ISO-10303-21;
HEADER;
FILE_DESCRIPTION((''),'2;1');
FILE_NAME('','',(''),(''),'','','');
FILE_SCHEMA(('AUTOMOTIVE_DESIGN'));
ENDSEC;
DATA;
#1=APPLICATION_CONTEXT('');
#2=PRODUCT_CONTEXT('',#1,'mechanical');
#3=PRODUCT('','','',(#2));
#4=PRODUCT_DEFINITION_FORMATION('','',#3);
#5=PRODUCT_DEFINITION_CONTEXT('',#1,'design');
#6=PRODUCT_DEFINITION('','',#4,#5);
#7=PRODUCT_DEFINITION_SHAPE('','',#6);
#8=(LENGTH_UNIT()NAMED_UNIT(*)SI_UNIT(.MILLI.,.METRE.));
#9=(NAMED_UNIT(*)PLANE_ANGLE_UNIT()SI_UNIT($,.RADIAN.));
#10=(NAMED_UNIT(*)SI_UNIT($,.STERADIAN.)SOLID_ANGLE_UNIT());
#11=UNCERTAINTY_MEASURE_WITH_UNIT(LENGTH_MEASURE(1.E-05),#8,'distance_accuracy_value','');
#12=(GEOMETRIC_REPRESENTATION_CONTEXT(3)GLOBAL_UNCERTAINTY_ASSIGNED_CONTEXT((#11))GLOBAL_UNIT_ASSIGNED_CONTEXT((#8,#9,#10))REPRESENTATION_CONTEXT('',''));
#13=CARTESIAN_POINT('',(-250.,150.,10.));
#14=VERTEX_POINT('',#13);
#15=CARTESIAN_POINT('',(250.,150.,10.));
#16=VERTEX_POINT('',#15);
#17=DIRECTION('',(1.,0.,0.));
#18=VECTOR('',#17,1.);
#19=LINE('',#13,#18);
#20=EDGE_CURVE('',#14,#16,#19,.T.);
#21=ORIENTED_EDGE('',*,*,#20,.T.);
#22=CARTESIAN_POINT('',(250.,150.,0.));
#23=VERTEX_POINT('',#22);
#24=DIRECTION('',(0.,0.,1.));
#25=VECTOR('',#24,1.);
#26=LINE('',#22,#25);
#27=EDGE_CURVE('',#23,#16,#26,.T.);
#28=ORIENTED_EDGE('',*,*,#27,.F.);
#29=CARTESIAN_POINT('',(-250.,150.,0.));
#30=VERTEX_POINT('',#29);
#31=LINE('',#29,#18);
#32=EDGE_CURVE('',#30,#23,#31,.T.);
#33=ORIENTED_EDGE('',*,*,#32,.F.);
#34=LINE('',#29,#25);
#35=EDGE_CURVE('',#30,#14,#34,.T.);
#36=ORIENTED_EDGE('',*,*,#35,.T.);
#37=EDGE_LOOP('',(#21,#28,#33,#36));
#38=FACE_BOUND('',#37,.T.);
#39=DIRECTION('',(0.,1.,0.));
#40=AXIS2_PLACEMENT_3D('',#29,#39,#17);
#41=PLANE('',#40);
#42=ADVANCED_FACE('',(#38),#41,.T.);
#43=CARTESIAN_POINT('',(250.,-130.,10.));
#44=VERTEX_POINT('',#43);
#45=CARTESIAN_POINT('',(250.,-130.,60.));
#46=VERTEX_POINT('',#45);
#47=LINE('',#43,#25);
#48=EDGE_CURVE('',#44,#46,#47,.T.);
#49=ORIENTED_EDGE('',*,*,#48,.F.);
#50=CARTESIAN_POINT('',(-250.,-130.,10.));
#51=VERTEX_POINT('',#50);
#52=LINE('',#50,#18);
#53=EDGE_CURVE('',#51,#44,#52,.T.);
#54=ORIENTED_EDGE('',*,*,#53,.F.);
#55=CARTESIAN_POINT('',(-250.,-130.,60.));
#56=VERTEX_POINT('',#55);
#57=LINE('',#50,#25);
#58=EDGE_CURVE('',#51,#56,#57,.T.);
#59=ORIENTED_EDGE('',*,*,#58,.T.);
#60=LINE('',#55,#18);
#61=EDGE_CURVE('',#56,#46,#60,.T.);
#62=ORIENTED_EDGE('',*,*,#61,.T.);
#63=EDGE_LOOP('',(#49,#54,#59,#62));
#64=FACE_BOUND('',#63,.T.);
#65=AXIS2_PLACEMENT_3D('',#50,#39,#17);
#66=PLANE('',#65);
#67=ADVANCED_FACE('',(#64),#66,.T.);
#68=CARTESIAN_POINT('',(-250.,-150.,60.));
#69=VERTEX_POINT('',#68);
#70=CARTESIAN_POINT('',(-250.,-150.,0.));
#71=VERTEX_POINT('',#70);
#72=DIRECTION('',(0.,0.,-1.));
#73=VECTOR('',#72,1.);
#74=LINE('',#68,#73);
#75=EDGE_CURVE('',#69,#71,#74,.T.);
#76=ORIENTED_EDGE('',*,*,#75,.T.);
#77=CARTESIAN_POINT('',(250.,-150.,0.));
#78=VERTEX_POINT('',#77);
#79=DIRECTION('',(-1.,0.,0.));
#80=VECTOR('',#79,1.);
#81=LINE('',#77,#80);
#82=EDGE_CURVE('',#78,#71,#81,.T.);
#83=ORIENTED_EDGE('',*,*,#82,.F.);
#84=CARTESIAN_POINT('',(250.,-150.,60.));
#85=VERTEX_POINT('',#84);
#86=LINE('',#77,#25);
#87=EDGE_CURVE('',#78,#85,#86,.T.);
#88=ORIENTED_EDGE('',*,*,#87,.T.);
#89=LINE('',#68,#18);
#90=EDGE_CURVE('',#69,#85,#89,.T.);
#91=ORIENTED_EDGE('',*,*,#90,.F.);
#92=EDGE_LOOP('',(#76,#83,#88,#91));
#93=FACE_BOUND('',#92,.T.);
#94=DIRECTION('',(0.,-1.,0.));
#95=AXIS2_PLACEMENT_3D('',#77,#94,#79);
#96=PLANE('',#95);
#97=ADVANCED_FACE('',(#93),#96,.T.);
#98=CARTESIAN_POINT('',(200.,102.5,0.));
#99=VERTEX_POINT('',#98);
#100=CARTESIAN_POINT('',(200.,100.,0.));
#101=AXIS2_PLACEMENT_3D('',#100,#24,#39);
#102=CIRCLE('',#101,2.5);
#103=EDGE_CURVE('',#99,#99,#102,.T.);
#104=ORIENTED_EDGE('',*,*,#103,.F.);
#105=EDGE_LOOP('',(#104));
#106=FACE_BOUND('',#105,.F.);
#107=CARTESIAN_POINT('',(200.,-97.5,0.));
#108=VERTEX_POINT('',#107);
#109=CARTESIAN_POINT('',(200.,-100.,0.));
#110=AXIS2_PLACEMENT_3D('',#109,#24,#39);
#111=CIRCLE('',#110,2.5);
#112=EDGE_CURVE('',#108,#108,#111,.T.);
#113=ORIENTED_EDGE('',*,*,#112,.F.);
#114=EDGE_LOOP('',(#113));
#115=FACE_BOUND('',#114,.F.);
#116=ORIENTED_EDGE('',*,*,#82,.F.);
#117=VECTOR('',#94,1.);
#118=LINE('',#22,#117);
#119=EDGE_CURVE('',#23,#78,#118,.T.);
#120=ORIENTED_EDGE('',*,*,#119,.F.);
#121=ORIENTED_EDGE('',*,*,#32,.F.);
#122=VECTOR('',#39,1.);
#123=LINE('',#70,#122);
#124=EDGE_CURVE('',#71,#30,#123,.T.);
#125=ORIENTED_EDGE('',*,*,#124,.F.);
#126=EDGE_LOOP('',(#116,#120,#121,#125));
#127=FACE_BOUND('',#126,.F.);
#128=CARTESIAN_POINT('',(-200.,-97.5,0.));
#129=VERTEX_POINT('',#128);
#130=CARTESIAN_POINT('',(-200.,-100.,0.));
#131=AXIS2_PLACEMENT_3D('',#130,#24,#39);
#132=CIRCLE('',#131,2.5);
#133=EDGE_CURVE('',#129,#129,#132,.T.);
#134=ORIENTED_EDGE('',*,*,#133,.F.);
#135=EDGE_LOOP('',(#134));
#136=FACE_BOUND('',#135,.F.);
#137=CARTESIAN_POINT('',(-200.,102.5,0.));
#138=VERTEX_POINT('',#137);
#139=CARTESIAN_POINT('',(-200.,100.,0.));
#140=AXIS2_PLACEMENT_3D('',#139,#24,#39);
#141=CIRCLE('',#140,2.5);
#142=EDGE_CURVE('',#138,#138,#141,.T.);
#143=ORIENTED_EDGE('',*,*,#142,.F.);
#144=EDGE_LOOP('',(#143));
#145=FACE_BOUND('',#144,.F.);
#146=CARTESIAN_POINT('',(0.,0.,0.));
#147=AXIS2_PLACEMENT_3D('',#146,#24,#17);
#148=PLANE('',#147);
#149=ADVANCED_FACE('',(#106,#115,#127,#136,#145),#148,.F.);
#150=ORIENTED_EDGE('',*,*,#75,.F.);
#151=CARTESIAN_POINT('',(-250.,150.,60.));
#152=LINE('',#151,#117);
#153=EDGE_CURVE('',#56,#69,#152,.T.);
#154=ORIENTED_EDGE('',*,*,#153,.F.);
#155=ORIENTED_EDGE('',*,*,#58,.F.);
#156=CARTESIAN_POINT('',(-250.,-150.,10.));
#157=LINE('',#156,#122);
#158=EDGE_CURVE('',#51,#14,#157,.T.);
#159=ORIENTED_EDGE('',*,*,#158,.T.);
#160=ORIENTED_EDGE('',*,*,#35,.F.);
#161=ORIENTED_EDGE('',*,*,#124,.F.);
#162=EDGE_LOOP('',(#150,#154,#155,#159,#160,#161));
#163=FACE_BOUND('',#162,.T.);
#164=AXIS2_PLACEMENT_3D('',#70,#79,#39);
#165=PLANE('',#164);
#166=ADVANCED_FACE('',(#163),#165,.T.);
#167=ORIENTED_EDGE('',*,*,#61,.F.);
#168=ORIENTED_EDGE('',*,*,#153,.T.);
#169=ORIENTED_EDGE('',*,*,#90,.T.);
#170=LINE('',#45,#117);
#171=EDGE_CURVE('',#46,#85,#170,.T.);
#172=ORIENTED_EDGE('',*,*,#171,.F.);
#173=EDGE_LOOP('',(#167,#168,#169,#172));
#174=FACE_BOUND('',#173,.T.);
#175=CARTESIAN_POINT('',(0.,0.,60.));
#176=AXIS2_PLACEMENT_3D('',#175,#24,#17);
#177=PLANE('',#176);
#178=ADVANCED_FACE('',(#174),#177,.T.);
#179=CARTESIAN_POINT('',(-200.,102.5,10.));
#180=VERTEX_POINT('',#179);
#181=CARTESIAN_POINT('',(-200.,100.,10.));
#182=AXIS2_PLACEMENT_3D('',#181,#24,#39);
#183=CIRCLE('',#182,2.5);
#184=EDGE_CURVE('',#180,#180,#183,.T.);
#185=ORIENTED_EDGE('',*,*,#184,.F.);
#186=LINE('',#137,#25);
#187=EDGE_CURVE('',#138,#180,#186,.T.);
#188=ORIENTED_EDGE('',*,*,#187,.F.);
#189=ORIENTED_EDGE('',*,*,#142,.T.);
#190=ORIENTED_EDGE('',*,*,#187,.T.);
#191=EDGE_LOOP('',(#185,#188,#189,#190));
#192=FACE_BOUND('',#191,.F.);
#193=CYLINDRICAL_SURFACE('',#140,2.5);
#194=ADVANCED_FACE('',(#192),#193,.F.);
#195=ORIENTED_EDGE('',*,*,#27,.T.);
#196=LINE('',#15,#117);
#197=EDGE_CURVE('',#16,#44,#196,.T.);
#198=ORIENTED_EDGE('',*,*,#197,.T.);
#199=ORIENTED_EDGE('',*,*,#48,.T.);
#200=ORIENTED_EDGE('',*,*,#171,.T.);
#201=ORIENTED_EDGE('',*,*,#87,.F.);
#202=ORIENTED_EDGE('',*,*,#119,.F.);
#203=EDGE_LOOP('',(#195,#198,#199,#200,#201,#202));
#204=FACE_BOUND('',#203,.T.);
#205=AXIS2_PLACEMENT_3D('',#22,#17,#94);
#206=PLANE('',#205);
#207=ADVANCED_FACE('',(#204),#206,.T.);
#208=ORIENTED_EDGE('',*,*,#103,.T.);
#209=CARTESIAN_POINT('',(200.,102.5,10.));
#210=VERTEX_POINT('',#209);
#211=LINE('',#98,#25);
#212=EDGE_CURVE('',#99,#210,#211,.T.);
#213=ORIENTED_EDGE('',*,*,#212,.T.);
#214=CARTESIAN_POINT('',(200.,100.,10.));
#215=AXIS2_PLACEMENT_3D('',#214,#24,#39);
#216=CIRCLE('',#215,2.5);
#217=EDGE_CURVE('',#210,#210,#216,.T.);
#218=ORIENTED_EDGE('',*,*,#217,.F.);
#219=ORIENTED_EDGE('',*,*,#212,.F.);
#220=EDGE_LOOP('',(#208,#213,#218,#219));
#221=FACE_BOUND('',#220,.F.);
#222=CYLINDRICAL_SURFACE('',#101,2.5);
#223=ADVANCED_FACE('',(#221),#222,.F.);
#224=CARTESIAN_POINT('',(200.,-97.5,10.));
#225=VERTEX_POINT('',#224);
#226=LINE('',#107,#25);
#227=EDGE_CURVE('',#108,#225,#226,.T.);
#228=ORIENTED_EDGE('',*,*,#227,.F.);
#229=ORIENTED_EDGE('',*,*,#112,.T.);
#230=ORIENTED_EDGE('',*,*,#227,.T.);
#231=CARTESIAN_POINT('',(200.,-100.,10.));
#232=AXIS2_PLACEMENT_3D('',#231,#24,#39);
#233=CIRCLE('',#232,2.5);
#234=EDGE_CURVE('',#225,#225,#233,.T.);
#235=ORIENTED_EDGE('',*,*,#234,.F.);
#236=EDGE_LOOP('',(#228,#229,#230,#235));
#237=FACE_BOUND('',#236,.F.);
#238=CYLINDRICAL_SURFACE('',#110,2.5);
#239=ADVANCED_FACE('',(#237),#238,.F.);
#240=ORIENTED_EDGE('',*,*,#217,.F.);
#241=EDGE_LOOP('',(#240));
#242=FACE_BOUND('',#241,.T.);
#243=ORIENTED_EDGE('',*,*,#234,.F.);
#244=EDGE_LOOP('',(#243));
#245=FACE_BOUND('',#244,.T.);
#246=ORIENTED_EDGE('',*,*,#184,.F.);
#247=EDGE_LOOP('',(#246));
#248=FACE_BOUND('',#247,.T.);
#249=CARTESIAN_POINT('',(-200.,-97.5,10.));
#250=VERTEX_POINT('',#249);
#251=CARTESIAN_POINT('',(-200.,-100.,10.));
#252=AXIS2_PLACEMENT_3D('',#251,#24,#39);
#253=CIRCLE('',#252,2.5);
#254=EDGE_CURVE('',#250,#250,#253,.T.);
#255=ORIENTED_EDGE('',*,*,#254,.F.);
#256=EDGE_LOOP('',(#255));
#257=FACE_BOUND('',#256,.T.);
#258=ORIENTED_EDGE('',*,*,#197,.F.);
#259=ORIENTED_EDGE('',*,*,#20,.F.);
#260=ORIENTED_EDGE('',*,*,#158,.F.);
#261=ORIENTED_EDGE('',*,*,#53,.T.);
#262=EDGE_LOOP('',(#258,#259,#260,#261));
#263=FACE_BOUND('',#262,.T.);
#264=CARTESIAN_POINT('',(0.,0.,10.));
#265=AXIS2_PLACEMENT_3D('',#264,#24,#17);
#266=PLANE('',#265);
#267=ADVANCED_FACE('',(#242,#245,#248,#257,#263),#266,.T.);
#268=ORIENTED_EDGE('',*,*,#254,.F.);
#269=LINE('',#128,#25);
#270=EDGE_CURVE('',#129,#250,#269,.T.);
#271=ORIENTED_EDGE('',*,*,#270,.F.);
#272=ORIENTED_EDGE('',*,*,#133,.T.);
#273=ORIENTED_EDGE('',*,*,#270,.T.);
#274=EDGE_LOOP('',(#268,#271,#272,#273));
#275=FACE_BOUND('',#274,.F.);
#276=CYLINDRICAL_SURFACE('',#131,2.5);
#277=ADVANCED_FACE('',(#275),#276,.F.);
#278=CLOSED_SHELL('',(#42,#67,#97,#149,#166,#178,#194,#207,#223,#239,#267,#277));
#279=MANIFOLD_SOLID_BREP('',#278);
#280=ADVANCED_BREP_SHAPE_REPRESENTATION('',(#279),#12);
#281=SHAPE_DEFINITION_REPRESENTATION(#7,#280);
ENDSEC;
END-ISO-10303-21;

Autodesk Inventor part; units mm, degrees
ref_plane "YZ Plane" through (0, 0, 0) normal (1, 0, 0) x (0, 1, 0)
ref_plane "XZ Plane" through (0, 0, 0) normal (0, 1, 0) x (-1, 0, 0)
ref_plane "XY Plane" through (0, 0, 0) normal (0, 0, 1) x (1, 0, 0)
sketch "Sketch1" plane through (0, 0, 0) normal (0, 0, 1) x (1, 0, 0)
  line L0 (250, -150) -> (-250, -150)
  line L1 (-250, -150) -> (-250, 150)
  line L2 (-250, 150) -> (250, 150)
  line L3 (250, 150) -> (250, -150)
  line L4 (250, -150) -> (-250, 150) construction
  line L5 (-250, -150) -> (250, 150) construction
  point P0 (0, 0)
  dimension "d0" = 500
  dimension "d1" = 300
extrude "Extrusion1" add sketch "Sketch1" along normal blind 10
sketch "Sketch2" plane through (0, 0, 10) normal (0, 0, 1) x (1, 0, 0)
  line L0 (-250, 150) -> (-250, -150) projected
  line L1 (-250, -150) -> (250, -150) projected
  line L2 (-250, -130) -> (250, -130)
  line L3 (250, -130) -> (250, -150)
  line L4 (250, -150) -> (-250, -150)
  line L5 (-250, -150) -> (-250, -130)
  point P0 (0, 0)
  dimension "d6" = 20
extrude "Extrusion2" add sketch "Sketch2" along normal blind 50
sketch "Sketch3" plane through (0, 0, 0) normal (0, 0, -1) x (-1, 0, 0)
  line L0 (-250, -150) -> (-250, 150) projected
  line L1 (-250, 150) -> (250, 150) projected
  line L2 (250, 150) -> (250, -150) projected
  line L3 (250, -150) -> (-250, -150) projected
  point P0 (0, 0)
  point P1 (-200, 100)
  point P2 (200, 100)
  point P3 (-200, -100)
  point P4 (200, -100)
  dimension "d7" = 50
  dimension "d8" = 50
  dimension "d9" = 50
  dimension "d10" = 50
  dimension "d11" = 50
  dimension "d12" = 50
  dimension "d13" = 50
  dimension "d14" = 50
hole "Hole1" at (200, 100, 0) at (-200, 100, 0) at (200, -100, 0) at (-200, -100, 0) direction (0, 0, 1) diameter 5 end through all
